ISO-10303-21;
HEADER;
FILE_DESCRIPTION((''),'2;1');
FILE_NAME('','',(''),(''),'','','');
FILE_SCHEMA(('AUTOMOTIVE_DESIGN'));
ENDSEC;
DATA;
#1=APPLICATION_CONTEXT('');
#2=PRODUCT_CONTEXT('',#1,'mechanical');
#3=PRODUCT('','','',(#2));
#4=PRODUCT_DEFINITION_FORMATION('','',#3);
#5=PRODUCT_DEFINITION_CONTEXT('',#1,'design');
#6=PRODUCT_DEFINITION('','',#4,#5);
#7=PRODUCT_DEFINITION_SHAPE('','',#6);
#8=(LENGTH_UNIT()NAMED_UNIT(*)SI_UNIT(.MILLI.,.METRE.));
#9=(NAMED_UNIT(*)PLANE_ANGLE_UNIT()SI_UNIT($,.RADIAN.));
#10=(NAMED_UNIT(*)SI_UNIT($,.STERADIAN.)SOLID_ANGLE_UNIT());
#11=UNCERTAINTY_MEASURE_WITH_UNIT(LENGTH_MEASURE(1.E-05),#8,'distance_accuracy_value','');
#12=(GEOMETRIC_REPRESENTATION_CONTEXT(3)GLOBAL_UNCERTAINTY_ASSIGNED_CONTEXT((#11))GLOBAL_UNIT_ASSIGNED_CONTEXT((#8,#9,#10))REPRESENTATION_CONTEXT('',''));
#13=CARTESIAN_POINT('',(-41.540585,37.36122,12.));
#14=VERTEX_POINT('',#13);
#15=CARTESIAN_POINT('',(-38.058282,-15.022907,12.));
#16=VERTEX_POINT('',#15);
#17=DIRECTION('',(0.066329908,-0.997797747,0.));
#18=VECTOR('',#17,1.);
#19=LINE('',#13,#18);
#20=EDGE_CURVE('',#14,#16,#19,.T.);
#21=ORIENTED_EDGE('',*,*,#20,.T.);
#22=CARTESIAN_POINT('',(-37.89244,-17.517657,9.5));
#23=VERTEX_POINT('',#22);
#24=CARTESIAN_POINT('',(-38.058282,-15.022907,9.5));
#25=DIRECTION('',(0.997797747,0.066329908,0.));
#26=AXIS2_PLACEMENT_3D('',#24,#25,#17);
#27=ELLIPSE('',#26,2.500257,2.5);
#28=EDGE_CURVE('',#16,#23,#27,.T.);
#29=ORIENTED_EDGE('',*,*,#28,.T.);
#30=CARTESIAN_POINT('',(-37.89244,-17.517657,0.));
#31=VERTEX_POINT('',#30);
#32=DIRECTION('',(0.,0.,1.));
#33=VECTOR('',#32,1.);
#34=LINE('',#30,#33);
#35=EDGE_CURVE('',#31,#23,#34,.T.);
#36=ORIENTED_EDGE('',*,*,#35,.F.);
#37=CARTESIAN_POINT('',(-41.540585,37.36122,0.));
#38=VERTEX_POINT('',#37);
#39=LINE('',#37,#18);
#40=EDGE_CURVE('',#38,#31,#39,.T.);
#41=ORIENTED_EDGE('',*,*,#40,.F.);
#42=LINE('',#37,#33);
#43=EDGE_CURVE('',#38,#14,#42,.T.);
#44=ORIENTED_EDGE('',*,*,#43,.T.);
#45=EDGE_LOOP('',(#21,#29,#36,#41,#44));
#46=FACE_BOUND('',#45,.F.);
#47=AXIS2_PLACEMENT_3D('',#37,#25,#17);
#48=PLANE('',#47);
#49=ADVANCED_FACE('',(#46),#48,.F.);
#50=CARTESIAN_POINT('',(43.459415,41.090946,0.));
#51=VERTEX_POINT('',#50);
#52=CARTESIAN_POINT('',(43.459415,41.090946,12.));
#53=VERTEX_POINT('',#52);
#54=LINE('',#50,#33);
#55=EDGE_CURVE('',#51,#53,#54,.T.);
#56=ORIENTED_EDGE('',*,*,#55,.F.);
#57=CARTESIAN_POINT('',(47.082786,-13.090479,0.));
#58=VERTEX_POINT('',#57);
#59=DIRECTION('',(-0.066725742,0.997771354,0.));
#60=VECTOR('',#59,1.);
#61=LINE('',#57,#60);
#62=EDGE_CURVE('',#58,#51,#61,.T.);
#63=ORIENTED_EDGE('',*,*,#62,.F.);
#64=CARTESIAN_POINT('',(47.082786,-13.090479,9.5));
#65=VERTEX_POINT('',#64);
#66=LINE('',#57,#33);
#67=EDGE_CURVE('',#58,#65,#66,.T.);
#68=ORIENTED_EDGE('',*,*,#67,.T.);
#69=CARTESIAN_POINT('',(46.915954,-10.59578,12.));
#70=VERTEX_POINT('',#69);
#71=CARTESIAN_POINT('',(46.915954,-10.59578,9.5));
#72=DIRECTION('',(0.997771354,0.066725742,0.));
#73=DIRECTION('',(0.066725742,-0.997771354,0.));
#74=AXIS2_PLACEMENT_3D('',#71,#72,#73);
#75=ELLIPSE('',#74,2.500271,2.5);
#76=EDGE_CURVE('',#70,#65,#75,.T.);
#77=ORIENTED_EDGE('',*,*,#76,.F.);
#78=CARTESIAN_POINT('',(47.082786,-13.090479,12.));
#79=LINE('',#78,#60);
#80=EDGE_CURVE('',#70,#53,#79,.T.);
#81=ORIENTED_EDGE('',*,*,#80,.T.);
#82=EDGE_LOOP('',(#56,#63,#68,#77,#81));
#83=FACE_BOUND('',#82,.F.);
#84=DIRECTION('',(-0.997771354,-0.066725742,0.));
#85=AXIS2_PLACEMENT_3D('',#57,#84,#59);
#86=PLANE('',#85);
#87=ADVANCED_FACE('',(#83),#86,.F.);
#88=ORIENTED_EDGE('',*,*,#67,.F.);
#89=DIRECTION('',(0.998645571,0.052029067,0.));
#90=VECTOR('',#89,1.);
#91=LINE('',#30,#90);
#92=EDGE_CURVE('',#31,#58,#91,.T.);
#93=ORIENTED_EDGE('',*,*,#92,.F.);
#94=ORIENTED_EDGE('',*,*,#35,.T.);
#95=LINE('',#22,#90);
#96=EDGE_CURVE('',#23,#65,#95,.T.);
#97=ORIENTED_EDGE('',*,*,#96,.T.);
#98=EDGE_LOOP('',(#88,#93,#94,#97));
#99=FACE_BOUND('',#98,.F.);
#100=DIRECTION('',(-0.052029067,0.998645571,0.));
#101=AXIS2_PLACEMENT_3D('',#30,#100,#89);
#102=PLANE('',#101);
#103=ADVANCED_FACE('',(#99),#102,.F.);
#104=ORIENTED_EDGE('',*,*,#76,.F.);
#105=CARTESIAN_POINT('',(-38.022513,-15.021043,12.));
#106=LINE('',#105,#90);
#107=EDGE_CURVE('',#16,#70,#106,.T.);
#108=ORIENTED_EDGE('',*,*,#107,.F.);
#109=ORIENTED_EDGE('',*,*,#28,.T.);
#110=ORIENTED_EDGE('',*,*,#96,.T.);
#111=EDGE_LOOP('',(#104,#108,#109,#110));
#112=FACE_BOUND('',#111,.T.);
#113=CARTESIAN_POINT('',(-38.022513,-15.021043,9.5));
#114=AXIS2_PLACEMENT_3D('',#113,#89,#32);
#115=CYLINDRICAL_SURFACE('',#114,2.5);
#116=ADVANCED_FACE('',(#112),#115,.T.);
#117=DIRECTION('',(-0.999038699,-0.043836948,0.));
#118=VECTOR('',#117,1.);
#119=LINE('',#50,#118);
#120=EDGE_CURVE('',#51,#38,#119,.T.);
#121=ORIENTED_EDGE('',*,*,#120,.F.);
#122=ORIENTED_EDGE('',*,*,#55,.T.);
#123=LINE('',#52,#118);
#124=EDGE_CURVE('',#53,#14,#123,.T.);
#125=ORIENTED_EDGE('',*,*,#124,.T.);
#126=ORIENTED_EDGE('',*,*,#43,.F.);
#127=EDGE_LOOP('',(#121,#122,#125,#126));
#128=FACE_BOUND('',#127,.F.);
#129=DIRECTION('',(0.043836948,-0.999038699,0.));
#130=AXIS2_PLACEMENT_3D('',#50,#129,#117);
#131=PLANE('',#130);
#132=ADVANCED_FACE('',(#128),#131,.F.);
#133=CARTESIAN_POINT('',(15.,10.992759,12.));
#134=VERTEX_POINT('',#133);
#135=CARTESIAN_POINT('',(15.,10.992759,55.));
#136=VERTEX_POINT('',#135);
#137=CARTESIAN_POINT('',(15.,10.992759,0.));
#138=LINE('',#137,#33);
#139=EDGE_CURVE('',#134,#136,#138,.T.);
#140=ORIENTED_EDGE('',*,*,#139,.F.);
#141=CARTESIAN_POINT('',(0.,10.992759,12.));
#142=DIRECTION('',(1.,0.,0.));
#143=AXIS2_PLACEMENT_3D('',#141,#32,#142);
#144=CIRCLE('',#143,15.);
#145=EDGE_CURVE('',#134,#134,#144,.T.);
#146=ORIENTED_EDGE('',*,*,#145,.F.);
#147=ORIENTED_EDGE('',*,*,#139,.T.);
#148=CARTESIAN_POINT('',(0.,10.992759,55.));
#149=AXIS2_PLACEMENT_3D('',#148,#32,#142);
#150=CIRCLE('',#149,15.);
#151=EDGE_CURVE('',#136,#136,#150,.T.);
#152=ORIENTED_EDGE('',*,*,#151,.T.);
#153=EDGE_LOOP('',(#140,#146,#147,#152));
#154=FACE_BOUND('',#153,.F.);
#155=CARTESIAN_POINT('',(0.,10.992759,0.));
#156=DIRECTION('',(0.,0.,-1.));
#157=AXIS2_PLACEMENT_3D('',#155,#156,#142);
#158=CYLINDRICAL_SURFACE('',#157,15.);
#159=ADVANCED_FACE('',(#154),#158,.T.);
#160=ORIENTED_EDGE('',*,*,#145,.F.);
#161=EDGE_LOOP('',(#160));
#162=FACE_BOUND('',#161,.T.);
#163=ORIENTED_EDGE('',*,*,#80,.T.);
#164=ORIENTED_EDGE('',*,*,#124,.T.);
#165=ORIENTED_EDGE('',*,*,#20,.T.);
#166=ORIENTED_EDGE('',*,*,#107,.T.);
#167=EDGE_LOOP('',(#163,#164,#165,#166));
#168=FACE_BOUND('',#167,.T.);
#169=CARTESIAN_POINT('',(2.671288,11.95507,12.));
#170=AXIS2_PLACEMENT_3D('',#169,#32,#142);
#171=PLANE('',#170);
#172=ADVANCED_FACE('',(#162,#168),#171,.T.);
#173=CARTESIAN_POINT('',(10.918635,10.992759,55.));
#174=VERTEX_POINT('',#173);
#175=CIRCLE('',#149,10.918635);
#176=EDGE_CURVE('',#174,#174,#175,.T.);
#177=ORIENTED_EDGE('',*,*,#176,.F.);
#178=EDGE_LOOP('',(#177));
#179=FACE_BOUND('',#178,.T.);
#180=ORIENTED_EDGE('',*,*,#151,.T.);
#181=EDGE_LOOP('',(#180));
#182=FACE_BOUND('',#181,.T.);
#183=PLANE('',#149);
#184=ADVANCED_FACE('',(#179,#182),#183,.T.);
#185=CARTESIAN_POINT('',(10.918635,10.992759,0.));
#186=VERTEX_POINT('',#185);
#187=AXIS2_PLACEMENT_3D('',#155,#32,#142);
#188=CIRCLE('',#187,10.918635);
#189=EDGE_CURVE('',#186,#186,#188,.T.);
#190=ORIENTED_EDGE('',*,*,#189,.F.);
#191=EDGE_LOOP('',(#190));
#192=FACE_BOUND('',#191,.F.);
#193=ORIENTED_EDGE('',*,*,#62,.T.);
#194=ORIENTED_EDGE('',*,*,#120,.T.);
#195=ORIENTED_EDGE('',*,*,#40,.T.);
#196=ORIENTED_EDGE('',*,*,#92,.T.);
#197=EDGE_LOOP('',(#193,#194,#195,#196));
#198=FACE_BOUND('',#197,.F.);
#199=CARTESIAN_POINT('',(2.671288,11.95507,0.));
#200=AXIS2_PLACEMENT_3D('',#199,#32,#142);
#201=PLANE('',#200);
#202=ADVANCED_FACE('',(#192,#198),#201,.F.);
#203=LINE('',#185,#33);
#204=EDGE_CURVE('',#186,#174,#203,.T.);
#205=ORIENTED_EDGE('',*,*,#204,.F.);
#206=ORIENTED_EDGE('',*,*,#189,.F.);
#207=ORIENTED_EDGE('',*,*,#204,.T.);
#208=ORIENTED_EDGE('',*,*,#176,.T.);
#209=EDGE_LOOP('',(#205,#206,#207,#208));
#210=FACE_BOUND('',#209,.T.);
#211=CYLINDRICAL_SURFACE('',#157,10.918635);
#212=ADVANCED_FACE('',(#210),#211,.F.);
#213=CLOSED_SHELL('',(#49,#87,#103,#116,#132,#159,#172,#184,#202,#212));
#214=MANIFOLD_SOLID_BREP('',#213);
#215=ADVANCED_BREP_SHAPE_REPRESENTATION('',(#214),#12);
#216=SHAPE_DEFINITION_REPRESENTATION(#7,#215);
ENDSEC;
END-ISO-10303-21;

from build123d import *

# Parameters (mm, degrees)
F0_R     = 15
F1_DEPTH = 12
F0_R_2   = 10.918635
F2_DEPTH = 55
F3_R     = 2.5


with BuildPart() as f1:
    # F0 (on Top) → F1 (new body)
    with BuildSketch(Plane.XY):
        Polygon((43.459415, 41.090946), (-41.540585, 37.36122), (-37.89244, -17.517657), (47.082786, -13.090479), align=None)
        with Locations((0, 10.992759)):
            Circle(F0_R, mode=Mode.SUBTRACT)
    extrude(amount=F1_DEPTH)

    # F0 (on Top) → F2 (join)
    with BuildSketch(Plane.XY):
        with Locations((0, 10.992759)):
            Circle(F0_R)
        with Locations((0, 10.992759)):
            Circle(F0_R_2, mode=Mode.SUBTRACT)
    extrude(amount=F2_DEPTH)

    # F3
    f3_edges = [f1.edges().sort_by_distance(p)[0] for p in [
        (4.595173, -15.304068, 12),
    ]]
    fillet(f3_edges, radius=F3_R)


solid = f1.part
